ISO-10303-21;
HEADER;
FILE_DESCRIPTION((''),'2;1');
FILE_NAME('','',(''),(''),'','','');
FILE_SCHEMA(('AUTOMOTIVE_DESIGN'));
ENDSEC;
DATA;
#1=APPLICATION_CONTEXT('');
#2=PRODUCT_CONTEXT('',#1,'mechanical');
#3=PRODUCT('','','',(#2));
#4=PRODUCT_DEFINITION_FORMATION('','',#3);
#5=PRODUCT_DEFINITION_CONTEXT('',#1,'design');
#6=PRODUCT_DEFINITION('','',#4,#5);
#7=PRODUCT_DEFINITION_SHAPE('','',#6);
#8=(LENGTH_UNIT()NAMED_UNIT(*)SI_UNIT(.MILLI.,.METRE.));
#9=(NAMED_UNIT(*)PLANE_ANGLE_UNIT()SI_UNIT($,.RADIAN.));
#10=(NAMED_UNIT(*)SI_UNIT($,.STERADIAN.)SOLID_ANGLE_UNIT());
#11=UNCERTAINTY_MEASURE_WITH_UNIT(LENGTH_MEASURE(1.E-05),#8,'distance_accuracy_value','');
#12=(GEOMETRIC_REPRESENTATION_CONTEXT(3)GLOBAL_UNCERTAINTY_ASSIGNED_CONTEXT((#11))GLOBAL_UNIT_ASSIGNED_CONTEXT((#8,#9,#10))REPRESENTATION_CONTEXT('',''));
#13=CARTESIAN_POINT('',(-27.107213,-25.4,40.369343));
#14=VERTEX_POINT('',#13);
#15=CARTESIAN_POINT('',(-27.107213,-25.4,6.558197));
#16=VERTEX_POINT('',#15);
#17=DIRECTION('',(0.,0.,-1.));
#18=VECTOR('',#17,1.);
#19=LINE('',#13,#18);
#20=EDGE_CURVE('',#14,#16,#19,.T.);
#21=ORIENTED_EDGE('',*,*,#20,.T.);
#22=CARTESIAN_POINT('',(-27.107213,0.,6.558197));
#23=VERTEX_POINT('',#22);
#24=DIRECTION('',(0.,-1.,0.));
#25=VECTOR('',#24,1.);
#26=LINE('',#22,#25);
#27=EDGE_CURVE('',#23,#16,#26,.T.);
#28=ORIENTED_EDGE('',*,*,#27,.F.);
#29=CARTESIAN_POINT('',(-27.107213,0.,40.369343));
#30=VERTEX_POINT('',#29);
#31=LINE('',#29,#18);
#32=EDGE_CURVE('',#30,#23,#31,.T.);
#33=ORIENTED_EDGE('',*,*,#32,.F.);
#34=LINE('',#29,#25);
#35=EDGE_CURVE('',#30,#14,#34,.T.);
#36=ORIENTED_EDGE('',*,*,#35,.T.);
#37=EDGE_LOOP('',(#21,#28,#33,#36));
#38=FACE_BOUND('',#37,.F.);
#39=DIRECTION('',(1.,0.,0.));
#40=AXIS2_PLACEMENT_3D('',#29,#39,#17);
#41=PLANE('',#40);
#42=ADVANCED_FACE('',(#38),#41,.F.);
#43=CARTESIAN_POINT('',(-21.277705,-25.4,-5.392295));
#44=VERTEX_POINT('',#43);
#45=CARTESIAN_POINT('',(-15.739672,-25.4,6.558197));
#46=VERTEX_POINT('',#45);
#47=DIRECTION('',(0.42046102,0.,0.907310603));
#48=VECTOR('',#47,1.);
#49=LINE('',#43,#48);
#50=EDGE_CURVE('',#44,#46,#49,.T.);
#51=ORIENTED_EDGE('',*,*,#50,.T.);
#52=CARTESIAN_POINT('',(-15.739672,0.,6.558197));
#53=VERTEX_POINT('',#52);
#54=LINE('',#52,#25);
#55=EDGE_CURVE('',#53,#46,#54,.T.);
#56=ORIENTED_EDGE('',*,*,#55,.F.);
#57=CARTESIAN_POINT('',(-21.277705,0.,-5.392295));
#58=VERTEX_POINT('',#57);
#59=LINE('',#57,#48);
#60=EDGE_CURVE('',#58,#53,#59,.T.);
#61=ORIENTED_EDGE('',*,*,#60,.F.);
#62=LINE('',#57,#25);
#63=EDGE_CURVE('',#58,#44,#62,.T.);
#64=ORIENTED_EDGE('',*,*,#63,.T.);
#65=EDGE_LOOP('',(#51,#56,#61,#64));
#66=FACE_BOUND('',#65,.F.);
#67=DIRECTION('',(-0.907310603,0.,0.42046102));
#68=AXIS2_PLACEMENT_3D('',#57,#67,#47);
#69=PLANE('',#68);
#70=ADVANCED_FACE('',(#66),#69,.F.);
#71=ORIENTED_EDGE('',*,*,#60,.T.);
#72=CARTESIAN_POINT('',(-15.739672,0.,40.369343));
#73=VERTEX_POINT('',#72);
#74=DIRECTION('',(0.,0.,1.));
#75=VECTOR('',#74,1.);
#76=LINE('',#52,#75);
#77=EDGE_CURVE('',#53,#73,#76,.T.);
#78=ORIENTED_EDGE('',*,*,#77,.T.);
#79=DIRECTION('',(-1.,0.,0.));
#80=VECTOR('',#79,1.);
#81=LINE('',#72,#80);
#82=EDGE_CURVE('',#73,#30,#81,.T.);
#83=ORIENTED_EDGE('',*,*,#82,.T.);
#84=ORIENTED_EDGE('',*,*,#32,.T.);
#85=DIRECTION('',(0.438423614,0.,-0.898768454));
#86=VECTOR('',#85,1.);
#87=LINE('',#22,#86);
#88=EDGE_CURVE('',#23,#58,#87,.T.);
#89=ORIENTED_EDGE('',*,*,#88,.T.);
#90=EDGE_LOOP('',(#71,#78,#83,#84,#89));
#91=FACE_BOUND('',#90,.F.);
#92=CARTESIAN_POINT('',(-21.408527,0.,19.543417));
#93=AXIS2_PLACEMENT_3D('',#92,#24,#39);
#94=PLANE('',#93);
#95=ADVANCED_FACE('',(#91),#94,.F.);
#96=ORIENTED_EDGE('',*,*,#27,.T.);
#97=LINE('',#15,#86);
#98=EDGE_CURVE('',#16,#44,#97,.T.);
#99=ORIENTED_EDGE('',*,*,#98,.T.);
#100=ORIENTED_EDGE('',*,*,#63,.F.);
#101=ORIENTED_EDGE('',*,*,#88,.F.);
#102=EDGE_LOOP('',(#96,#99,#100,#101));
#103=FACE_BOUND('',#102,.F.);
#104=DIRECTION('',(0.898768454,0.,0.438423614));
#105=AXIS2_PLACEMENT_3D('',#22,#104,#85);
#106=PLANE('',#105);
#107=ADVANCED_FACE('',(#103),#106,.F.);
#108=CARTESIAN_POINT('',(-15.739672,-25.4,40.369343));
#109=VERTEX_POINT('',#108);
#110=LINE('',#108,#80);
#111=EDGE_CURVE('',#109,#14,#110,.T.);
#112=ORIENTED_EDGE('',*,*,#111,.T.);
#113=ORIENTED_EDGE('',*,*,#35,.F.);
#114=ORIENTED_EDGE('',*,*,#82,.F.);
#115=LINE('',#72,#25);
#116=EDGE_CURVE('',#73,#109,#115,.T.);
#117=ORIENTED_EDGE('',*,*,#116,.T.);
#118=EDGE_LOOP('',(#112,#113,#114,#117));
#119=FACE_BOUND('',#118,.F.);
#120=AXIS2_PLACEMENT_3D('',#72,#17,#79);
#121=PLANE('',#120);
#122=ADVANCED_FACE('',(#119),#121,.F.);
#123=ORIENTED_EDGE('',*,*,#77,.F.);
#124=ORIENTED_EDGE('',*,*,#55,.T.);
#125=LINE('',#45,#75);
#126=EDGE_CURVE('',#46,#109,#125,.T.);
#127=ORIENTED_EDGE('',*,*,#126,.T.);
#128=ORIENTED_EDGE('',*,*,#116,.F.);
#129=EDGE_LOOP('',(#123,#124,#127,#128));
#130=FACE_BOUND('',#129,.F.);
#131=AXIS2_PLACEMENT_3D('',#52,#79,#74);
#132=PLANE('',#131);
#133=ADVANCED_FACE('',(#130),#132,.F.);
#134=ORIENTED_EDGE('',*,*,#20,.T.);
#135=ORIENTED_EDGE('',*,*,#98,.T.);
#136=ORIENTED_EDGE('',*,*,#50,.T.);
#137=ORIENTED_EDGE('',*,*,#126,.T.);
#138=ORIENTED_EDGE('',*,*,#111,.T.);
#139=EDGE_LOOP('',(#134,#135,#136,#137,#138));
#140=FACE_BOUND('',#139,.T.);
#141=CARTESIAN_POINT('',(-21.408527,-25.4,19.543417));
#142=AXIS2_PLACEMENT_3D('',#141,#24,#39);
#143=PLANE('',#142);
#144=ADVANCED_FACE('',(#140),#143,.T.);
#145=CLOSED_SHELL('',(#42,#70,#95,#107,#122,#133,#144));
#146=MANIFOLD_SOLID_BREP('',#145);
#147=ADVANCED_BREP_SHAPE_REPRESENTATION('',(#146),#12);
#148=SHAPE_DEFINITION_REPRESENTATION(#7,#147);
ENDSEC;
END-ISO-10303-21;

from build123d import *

# Parameters (mm, degrees)
F2_DEPTH = 25.4


with BuildPart() as f2:
    # F1 (on face) → F2 (new body)
    with BuildSketch(Plane.XZ):
        Polygon((-15.739672, 6.558197), (-15.739672, 40.369343), (-27.107213, 40.369343), (-27.107213, 6.558197), (-21.277705, -5.392295), align=None)
    extrude(amount=F2_DEPTH)


solid = f2.part
